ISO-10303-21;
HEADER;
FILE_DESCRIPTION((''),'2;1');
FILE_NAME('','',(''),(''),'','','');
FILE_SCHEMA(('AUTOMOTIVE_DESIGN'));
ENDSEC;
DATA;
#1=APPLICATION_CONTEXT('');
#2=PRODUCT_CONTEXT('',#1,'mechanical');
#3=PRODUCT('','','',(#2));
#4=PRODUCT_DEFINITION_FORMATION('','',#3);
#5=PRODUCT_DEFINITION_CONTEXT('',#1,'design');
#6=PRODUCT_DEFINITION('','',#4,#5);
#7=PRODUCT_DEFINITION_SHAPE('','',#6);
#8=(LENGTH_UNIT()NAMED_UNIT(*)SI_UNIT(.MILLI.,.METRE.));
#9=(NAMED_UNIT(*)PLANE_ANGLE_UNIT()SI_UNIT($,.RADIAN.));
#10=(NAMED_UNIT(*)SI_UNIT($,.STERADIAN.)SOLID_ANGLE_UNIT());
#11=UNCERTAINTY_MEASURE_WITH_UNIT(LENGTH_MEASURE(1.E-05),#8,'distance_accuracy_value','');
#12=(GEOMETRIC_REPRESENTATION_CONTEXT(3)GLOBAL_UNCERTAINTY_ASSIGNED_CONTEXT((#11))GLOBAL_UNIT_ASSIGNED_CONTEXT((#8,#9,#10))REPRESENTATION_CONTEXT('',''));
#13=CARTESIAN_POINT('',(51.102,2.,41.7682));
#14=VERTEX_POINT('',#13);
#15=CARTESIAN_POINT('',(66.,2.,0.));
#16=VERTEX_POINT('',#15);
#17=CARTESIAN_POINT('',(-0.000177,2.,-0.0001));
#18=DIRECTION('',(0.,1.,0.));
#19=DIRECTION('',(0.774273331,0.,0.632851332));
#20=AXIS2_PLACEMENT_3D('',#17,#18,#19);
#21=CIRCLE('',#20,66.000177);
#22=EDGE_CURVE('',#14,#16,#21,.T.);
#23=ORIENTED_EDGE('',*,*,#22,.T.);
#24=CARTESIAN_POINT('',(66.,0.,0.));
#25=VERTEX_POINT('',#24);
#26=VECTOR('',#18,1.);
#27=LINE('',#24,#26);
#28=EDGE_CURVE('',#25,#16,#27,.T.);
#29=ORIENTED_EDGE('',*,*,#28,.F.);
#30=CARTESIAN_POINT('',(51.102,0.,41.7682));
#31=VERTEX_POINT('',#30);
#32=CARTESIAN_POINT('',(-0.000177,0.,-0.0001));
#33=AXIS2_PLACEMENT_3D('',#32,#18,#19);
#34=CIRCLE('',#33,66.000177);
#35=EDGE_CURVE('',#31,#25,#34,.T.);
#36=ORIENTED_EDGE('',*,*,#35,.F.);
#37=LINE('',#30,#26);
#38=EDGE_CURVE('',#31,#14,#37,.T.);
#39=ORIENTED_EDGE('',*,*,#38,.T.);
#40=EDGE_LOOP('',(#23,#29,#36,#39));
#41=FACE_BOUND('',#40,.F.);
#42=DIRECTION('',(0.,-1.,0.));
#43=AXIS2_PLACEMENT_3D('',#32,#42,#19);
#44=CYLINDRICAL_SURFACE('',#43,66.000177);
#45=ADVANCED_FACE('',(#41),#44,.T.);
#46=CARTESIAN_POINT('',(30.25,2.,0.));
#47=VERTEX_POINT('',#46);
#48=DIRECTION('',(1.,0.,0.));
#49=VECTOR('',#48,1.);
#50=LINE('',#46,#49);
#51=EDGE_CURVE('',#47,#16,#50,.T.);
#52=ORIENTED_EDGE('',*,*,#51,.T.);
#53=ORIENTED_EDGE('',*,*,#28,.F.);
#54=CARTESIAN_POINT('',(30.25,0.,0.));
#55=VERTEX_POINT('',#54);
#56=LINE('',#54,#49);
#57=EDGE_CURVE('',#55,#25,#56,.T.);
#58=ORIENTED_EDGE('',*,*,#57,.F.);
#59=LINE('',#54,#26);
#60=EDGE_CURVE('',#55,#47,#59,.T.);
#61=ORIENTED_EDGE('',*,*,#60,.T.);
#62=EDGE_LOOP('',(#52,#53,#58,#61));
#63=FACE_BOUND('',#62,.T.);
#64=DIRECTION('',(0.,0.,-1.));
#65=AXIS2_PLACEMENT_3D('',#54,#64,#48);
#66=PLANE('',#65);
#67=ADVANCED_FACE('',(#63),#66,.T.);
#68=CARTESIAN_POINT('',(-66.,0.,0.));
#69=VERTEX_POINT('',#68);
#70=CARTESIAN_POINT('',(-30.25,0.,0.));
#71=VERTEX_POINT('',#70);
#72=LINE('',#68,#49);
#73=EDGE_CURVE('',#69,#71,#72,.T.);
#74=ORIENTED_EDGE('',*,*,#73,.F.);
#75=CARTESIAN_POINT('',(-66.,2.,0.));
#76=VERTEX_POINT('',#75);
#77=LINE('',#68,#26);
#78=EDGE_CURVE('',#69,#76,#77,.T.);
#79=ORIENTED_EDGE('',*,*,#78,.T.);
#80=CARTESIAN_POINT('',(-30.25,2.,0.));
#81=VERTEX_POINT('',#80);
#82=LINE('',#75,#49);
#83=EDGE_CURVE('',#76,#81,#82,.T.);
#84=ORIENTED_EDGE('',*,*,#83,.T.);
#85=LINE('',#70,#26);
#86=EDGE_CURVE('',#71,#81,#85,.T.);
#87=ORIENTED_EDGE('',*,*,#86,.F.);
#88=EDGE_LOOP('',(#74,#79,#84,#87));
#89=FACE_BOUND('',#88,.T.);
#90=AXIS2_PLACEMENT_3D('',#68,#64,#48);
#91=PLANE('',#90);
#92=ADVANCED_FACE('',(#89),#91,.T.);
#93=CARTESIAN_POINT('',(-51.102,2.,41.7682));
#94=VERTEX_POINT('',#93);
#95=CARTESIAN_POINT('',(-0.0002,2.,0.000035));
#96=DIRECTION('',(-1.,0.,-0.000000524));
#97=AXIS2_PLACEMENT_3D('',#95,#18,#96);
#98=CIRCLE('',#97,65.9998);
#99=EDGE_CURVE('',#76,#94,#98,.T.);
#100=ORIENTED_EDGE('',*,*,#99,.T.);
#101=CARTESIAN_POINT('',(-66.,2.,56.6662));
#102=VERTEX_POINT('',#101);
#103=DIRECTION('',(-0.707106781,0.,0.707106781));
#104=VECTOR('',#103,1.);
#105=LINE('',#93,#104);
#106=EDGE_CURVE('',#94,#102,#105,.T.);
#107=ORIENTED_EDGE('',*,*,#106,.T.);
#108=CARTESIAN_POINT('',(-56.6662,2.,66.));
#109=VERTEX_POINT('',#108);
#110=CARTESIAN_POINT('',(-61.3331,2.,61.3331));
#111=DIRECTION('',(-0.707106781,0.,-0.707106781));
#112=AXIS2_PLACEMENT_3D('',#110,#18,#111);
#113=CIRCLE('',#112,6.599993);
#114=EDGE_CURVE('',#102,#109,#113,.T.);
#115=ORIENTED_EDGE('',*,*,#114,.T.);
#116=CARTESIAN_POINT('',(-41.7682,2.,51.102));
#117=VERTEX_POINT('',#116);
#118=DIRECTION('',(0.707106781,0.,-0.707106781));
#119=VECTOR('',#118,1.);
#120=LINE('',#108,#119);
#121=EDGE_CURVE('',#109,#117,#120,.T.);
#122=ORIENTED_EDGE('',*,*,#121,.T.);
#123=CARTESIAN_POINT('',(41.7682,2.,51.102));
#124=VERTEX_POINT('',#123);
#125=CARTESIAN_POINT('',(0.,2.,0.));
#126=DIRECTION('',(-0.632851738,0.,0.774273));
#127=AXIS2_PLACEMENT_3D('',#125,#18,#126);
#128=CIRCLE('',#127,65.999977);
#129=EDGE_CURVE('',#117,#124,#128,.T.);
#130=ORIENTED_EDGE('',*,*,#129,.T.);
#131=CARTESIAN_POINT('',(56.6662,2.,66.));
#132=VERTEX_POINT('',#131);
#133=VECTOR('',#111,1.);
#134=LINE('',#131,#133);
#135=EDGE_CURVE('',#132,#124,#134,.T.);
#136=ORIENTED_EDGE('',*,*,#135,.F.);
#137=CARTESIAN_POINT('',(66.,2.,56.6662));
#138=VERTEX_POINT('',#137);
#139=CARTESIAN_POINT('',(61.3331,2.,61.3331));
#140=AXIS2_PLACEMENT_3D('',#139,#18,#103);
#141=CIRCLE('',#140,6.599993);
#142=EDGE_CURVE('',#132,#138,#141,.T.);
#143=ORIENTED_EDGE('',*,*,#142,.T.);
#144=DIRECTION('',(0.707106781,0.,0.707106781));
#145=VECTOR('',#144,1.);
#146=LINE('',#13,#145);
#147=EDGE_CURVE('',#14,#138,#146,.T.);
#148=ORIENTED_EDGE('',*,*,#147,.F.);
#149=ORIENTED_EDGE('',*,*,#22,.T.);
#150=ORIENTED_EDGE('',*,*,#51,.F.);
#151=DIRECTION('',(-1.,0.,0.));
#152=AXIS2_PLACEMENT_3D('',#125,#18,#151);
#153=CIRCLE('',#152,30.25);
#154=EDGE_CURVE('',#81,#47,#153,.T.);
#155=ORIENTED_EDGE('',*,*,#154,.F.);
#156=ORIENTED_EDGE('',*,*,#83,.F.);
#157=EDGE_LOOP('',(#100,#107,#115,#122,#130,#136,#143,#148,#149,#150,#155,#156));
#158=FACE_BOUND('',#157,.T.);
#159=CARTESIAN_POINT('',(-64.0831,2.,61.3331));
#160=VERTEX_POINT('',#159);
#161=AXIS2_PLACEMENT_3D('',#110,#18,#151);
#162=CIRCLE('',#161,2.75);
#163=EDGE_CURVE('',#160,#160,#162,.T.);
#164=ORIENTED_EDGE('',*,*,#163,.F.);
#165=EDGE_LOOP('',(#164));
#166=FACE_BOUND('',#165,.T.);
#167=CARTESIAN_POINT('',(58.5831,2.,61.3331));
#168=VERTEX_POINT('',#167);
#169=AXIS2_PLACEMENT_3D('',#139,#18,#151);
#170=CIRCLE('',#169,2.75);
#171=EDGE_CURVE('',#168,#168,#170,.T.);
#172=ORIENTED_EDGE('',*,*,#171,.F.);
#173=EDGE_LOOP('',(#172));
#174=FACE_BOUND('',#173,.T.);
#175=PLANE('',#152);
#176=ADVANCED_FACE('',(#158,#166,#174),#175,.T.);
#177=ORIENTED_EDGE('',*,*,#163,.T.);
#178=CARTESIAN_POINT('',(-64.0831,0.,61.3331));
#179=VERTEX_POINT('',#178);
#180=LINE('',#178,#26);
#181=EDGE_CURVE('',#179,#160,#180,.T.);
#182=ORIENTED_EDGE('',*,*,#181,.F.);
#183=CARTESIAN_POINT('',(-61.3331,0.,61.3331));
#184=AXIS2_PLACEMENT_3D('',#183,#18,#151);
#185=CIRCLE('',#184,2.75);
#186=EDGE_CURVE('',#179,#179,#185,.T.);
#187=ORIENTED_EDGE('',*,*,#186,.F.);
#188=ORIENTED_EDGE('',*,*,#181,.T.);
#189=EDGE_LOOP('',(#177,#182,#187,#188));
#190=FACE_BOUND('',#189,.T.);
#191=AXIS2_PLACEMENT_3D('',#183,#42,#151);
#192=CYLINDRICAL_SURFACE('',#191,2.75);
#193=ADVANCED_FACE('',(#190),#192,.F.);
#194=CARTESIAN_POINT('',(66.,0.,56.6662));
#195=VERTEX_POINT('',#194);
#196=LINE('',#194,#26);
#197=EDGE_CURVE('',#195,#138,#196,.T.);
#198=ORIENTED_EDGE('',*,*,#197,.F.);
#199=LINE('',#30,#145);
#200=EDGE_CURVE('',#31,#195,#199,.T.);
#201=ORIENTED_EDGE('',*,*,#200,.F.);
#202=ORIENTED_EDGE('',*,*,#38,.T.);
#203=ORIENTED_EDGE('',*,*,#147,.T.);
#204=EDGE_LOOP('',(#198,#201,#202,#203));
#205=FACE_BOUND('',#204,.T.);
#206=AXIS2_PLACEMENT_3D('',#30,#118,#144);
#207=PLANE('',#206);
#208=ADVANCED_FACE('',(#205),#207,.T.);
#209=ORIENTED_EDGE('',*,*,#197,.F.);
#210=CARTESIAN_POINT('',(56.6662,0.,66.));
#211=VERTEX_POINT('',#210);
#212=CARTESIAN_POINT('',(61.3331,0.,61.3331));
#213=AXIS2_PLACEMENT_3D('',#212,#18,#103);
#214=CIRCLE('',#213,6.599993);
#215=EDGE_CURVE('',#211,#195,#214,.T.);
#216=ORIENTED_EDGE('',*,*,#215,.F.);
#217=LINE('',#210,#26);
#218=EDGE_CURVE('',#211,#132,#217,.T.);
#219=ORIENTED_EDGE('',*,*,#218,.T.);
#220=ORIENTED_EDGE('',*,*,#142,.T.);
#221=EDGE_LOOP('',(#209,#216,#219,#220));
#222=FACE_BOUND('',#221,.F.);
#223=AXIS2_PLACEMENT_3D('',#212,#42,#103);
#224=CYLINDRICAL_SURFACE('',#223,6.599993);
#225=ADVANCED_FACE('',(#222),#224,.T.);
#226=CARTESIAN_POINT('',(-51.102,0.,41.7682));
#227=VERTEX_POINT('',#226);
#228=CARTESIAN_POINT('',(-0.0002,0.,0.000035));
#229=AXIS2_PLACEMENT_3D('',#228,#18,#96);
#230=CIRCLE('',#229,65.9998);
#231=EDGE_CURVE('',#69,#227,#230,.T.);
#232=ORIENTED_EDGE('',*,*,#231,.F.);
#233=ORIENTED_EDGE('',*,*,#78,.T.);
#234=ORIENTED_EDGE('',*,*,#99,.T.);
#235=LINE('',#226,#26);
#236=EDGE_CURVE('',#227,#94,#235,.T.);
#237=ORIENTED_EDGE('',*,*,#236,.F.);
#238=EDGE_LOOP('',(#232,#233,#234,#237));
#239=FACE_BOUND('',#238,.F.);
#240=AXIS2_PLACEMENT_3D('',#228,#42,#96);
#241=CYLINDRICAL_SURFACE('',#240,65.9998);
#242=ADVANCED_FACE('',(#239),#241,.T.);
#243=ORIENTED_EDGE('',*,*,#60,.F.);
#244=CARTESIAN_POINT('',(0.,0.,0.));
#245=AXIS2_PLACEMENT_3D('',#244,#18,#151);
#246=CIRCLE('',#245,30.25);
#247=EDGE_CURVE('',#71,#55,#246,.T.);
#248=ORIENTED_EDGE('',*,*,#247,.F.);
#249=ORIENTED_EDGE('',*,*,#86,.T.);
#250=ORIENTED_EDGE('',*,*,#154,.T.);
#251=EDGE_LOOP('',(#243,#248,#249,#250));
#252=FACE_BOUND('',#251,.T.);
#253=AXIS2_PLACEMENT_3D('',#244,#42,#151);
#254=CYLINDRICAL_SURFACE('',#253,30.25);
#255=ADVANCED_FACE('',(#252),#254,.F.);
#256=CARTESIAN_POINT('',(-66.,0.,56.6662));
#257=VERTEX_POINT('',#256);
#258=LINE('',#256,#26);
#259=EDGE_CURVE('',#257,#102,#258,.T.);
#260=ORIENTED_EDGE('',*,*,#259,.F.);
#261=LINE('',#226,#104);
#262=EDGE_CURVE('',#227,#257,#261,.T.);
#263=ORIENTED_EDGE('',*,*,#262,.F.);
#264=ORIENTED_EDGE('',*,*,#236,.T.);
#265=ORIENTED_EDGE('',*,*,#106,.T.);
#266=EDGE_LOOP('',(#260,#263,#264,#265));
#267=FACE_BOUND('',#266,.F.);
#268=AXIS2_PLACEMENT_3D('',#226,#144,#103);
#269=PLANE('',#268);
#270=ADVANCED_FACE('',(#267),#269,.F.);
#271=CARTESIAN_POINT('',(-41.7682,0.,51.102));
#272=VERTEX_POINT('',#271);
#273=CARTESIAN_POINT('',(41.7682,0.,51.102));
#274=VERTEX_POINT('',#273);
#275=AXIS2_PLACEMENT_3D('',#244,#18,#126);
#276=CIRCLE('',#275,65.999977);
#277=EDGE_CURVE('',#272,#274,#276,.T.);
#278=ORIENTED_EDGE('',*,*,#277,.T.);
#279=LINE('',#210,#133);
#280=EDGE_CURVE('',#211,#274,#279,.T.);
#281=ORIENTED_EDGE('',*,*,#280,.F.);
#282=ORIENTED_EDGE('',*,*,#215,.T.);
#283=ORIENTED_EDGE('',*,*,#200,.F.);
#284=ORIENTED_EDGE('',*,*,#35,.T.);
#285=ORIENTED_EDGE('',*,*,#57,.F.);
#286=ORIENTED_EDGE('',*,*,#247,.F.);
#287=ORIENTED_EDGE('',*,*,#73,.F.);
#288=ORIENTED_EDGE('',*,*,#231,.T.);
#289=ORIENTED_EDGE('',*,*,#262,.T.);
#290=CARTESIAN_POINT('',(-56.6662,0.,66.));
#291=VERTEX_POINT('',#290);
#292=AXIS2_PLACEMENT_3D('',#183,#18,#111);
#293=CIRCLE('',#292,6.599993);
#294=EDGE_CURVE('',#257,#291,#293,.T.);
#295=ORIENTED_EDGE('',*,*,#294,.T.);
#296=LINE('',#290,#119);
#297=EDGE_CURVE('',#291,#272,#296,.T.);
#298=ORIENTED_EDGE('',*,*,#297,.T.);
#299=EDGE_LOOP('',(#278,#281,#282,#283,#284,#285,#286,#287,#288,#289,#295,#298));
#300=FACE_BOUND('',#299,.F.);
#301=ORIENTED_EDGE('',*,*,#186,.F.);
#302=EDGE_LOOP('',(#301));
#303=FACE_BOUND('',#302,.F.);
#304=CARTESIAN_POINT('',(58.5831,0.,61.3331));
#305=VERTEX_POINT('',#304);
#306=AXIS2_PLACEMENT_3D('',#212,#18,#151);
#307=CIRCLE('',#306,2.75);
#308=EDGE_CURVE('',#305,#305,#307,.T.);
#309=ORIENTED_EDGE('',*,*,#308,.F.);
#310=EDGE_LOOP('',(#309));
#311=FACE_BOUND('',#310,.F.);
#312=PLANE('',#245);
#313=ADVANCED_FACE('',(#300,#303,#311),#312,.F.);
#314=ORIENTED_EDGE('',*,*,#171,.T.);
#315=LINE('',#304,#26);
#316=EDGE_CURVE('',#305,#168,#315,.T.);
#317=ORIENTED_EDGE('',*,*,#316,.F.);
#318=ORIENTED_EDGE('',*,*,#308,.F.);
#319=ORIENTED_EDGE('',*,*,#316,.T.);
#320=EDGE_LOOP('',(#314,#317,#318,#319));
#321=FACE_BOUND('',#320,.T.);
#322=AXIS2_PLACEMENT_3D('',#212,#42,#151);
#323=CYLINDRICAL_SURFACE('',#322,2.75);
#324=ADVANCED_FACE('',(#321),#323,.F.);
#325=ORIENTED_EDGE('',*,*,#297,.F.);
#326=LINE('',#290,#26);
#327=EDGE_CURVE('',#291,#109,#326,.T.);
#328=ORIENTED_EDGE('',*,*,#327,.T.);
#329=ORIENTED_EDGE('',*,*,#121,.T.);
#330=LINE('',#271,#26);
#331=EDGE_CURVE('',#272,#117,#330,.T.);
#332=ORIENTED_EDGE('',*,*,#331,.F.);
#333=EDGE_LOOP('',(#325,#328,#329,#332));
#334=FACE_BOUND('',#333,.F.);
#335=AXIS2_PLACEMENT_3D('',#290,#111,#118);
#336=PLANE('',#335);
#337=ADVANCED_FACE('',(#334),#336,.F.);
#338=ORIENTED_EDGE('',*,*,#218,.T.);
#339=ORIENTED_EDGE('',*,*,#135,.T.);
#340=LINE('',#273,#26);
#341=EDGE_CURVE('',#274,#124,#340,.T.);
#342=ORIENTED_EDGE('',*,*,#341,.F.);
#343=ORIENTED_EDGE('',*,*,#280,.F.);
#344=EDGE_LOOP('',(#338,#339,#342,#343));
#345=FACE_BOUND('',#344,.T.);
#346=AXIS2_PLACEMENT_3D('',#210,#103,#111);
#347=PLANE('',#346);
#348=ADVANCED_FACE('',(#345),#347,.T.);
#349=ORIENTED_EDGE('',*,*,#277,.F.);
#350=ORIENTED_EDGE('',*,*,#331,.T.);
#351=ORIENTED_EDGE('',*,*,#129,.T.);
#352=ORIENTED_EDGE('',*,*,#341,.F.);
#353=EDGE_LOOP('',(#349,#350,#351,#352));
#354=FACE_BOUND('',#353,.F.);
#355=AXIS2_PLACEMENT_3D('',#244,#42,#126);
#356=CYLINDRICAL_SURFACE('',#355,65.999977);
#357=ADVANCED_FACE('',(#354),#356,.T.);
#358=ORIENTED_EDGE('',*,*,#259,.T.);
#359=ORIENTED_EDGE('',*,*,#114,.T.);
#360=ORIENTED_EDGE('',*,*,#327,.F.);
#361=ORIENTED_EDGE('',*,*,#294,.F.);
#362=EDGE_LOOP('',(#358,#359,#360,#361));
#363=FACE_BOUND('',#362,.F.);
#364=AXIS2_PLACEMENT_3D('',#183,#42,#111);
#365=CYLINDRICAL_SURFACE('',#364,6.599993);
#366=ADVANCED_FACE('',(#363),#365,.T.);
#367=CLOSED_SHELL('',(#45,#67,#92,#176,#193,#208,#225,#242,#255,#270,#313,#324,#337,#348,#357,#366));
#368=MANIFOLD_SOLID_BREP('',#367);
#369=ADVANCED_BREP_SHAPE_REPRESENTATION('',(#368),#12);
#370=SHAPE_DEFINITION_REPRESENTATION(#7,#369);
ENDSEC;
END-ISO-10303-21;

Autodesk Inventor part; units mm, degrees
ref_plane "YZ Plane" through (0, 0, 0) normal (1, 0, 0) x (0, 1, 0)
ref_plane "XZ Plane" through (0, 0, 0) normal (0, 1, 0) x (-1, 0, 0)
ref_plane "XY Plane" through (0, 0, 0) normal (0, 0, 1) x (1, 0, 0)
sketch "Boceto1" plane through (0, 0, 0) normal (0, 1, 0) x (-1, 0, 0)
  arc A0 (30.25, 0) -> (-30.25, 0) centre (0, 0) ccw
  circle A1 centre (0, 0) radius 81.4 construction
  line L0 (66, 0) -> (30.25, 0)
  line L1 (-30.25, 0) -> (-66, 0)
  line L2 (0, 0) -> (103.5194, 0) construction
  line L3 (73.1993, 73.1993) -> (0, 0) construction
  line L4 (0, 0) -> (-73.1993, 73.1993) construction
  line L5 (0, 0) -> (103.5194, 0) construction
  line L6 (66, 66) -> (36.5996, 36.5996) construction
  line L7 (56.6662, 66) -> (41.7682, 51.102)
  line L8 (51.102, 41.7682) -> (66, 56.6662)
  arc A2 (66, 56.6662) -> (56.6662, 66) centre (61.3331, 61.3331) ccw
  line L9 (0, 0) -> (0, 91.3472) construction
  line L10 (-56.6662, 66) -> (-41.7682, 51.102)
  line L11 (-51.102, 41.7682) -> (-66, 56.6662)
  arc A3 (-56.6662, 66) -> (-66, 56.6662) centre (-61.3331, 61.3331) ccw
  circle A4 centre (61.3331, 61.3331) radius 2.75
  circle A5 centre (-61.3331, 61.3331) radius 2.75
  arc A6 (66, 0) -> (51.102, 41.7682) centre (0, 0) ccw
  arc A7 (41.7682, 51.102) -> (-41.7682, 51.102) centre (0, 0) ccw
  arc A8 (-51.102, 41.7682) -> (-66, 0) centre (0, 0) ccw
  point P0 (36.5996, 45.9334)
  point P1 (45.9334, 36.5996)
  point P2 (51.2998, 51.2998)
  point P3 (-36.5996, 45.9334)
  point P4 (-45.9334, 36.5996)
  dimension "d9" = 5.5
  dimension "d11" = 5.5
extrude "Extrusión2" add sketch "Boceto1" along normal blind 2
properties part number "Rail"
